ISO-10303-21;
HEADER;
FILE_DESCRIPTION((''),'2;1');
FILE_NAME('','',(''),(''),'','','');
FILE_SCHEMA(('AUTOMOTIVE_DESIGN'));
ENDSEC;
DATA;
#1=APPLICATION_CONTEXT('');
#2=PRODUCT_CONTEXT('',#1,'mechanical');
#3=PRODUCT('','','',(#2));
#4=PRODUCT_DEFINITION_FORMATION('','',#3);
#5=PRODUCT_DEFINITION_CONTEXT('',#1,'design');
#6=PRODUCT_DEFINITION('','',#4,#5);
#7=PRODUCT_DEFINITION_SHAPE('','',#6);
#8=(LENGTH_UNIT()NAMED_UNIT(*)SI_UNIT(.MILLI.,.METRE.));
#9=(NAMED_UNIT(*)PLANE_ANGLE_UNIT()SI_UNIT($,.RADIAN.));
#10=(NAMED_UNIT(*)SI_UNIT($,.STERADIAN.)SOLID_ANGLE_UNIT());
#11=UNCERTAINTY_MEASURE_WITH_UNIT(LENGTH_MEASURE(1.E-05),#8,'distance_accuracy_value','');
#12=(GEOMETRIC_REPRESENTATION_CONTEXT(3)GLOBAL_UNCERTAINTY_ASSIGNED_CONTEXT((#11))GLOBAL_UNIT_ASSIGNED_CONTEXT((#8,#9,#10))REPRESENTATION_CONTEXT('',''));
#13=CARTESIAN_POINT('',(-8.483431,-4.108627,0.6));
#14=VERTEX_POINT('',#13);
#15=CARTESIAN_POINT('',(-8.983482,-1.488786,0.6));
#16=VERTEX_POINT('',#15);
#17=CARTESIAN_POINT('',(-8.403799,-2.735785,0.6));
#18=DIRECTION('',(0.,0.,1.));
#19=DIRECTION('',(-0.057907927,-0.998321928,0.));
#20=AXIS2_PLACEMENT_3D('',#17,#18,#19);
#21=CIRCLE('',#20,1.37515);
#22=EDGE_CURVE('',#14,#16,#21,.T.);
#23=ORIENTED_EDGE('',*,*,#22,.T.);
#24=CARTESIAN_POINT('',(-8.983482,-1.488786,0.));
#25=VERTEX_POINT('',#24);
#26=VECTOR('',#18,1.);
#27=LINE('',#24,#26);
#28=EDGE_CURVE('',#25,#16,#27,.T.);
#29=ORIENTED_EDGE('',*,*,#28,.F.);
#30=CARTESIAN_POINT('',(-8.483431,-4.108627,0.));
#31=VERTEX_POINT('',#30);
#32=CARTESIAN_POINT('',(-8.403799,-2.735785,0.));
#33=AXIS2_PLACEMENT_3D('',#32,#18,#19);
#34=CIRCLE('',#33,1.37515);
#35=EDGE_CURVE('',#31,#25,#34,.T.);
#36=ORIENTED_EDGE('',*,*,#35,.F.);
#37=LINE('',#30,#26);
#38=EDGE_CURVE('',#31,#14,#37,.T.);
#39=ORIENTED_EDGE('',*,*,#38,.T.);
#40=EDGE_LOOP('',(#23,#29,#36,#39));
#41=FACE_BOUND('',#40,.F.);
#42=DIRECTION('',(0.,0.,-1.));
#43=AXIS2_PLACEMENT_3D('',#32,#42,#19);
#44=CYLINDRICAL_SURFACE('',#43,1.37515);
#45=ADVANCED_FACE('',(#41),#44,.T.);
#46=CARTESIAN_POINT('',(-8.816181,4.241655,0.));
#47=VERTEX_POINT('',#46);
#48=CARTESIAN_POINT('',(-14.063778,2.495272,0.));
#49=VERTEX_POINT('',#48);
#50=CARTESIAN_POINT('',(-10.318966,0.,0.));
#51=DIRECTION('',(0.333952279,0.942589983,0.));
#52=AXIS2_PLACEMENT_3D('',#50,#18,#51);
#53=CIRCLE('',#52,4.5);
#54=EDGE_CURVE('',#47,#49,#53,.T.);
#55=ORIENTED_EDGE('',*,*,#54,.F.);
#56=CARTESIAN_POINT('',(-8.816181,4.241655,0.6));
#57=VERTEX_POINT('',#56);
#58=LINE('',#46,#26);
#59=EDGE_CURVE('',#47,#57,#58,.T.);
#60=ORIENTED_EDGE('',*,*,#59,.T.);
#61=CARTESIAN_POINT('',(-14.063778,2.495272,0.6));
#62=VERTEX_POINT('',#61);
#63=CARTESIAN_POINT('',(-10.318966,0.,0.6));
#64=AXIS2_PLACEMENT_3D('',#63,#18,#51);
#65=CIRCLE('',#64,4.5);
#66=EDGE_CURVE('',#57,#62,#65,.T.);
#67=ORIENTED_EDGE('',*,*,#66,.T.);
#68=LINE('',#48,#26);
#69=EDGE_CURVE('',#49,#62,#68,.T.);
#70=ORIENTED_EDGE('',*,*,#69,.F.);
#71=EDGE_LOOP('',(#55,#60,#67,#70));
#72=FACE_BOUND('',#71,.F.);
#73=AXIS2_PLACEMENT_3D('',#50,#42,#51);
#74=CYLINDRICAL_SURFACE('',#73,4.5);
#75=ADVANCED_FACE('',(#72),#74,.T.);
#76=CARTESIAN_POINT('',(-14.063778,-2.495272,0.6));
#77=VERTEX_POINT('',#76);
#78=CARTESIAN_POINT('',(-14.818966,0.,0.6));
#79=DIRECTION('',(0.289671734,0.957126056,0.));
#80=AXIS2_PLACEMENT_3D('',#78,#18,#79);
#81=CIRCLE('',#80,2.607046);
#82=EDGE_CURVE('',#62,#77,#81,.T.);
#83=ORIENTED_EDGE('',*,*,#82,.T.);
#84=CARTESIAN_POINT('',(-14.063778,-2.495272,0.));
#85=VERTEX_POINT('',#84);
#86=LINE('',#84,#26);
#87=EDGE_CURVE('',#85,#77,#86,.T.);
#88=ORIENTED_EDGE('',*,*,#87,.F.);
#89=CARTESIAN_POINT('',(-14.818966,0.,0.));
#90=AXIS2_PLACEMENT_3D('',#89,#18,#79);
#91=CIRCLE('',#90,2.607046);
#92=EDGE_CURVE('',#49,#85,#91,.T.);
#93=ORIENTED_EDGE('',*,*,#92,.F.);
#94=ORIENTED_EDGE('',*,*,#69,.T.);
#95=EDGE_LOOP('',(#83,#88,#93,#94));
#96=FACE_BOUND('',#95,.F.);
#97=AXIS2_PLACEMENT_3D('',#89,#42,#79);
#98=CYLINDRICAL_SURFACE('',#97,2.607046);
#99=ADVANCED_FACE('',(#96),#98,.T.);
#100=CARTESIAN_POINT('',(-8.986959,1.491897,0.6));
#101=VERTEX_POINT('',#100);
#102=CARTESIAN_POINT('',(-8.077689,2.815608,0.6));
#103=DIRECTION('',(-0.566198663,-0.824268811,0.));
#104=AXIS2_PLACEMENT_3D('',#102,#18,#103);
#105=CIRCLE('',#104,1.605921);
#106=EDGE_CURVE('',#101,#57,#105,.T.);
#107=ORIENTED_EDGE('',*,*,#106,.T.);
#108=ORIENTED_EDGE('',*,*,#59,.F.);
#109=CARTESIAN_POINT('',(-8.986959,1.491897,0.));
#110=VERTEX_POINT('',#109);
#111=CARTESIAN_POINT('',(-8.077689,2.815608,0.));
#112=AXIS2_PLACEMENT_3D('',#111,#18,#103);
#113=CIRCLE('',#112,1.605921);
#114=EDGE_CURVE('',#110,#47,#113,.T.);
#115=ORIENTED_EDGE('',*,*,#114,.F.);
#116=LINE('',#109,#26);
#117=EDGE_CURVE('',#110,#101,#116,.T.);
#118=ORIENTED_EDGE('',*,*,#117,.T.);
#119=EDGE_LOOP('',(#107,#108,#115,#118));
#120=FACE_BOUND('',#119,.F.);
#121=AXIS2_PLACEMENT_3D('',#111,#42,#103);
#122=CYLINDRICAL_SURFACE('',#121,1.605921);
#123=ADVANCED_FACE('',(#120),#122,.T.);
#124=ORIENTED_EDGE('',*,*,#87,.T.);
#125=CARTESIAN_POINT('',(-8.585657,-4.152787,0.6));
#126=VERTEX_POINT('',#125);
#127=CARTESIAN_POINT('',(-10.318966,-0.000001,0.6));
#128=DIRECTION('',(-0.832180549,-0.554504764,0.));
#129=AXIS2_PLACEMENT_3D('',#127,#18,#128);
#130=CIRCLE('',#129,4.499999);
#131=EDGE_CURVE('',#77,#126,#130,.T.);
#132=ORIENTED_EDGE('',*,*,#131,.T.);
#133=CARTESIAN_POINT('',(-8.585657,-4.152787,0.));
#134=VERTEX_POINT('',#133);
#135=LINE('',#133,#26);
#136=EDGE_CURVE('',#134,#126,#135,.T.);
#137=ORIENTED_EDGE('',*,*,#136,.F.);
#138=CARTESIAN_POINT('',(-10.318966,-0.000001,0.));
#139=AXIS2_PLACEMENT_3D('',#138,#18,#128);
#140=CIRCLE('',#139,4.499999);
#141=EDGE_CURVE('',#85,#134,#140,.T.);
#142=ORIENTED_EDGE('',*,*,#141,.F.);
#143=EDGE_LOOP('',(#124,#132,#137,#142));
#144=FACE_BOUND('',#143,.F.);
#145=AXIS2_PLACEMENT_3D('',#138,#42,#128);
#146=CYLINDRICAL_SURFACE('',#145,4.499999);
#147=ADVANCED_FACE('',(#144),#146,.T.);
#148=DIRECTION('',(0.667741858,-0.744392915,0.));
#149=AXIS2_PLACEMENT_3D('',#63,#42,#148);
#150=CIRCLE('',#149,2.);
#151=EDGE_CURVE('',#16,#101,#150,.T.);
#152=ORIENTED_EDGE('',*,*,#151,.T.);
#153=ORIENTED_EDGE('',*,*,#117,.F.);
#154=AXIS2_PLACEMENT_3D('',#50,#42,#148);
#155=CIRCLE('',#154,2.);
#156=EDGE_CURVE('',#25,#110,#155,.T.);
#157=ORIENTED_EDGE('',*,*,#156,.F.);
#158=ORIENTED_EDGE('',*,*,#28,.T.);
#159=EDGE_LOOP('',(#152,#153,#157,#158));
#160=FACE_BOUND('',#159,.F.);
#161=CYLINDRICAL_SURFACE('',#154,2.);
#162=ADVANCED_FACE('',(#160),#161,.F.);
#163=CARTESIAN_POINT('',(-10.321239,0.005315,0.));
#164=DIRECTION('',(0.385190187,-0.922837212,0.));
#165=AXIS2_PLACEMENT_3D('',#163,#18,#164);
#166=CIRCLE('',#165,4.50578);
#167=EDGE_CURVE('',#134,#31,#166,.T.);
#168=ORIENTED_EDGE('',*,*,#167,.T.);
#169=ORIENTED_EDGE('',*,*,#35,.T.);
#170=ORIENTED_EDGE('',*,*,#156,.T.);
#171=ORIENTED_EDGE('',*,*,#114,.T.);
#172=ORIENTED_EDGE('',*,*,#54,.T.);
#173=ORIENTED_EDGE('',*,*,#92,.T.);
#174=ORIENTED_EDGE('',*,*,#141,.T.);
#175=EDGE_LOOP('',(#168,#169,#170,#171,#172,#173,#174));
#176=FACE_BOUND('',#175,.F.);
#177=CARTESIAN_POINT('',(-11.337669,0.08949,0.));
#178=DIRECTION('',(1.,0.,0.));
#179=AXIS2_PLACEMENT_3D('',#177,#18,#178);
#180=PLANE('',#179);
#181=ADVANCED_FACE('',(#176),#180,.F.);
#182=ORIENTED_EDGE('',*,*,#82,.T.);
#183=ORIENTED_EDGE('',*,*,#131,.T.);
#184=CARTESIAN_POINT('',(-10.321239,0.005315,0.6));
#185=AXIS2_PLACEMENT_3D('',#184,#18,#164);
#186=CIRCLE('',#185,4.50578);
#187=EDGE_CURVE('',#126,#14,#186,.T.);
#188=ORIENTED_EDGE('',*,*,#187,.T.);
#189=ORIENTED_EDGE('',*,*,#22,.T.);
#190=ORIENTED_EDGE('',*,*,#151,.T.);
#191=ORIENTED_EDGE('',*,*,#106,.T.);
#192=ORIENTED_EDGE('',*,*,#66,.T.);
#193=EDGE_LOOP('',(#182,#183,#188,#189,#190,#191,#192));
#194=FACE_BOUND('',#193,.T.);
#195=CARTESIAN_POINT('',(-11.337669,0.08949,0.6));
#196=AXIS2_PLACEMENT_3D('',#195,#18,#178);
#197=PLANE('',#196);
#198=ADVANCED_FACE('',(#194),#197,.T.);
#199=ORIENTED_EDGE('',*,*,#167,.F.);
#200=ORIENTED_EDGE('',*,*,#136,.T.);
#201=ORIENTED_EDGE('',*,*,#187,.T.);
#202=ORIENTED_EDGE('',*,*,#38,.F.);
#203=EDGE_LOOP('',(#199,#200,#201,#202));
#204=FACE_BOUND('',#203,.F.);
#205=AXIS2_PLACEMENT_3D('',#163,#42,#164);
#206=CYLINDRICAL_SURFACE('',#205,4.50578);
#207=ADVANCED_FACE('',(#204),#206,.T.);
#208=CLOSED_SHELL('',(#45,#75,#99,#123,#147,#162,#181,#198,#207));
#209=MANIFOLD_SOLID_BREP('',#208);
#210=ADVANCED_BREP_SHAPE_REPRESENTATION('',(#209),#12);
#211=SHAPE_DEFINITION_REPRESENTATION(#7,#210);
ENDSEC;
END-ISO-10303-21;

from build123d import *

# Parameters (mm, degrees)
F1_DEPTH = 0.6


with BuildPart() as f1:
    # F0 (on Top) → F1 (new body)
    with BuildSketch(Plane.XY):
        with BuildLine():
            ThreePointArc((-14.063778, 2.495272), (-17.426012, 0), (-14.063778, -2.495272))
            ThreePointArc((-14.063778, -2.495272), (-11.622183, -4.30716), (-8.585657, -4.152787))
            ThreePointArc((-8.585657, -4.152787), (-8.534408, -4.131023), (-8.483431, -4.108627))
            ThreePointArc((-8.483431, -4.108627), (-7.053034, -2.477963), (-8.983482, -1.488786))
            ThreePointArc((-8.983482, -1.488786), (-12.318964, -0.002333), (-8.986959, 1.491897))
            ThreePointArc((-8.986959, 1.491897), (-6.474856, 2.716061), (-8.816181, 4.241655))
            ThreePointArc((-8.816181, 4.241655), (-11.739928, 4.269762), (-14.063778, 2.495272))
        make_face()
    extrude(amount=F1_DEPTH)


solid = f1.part
